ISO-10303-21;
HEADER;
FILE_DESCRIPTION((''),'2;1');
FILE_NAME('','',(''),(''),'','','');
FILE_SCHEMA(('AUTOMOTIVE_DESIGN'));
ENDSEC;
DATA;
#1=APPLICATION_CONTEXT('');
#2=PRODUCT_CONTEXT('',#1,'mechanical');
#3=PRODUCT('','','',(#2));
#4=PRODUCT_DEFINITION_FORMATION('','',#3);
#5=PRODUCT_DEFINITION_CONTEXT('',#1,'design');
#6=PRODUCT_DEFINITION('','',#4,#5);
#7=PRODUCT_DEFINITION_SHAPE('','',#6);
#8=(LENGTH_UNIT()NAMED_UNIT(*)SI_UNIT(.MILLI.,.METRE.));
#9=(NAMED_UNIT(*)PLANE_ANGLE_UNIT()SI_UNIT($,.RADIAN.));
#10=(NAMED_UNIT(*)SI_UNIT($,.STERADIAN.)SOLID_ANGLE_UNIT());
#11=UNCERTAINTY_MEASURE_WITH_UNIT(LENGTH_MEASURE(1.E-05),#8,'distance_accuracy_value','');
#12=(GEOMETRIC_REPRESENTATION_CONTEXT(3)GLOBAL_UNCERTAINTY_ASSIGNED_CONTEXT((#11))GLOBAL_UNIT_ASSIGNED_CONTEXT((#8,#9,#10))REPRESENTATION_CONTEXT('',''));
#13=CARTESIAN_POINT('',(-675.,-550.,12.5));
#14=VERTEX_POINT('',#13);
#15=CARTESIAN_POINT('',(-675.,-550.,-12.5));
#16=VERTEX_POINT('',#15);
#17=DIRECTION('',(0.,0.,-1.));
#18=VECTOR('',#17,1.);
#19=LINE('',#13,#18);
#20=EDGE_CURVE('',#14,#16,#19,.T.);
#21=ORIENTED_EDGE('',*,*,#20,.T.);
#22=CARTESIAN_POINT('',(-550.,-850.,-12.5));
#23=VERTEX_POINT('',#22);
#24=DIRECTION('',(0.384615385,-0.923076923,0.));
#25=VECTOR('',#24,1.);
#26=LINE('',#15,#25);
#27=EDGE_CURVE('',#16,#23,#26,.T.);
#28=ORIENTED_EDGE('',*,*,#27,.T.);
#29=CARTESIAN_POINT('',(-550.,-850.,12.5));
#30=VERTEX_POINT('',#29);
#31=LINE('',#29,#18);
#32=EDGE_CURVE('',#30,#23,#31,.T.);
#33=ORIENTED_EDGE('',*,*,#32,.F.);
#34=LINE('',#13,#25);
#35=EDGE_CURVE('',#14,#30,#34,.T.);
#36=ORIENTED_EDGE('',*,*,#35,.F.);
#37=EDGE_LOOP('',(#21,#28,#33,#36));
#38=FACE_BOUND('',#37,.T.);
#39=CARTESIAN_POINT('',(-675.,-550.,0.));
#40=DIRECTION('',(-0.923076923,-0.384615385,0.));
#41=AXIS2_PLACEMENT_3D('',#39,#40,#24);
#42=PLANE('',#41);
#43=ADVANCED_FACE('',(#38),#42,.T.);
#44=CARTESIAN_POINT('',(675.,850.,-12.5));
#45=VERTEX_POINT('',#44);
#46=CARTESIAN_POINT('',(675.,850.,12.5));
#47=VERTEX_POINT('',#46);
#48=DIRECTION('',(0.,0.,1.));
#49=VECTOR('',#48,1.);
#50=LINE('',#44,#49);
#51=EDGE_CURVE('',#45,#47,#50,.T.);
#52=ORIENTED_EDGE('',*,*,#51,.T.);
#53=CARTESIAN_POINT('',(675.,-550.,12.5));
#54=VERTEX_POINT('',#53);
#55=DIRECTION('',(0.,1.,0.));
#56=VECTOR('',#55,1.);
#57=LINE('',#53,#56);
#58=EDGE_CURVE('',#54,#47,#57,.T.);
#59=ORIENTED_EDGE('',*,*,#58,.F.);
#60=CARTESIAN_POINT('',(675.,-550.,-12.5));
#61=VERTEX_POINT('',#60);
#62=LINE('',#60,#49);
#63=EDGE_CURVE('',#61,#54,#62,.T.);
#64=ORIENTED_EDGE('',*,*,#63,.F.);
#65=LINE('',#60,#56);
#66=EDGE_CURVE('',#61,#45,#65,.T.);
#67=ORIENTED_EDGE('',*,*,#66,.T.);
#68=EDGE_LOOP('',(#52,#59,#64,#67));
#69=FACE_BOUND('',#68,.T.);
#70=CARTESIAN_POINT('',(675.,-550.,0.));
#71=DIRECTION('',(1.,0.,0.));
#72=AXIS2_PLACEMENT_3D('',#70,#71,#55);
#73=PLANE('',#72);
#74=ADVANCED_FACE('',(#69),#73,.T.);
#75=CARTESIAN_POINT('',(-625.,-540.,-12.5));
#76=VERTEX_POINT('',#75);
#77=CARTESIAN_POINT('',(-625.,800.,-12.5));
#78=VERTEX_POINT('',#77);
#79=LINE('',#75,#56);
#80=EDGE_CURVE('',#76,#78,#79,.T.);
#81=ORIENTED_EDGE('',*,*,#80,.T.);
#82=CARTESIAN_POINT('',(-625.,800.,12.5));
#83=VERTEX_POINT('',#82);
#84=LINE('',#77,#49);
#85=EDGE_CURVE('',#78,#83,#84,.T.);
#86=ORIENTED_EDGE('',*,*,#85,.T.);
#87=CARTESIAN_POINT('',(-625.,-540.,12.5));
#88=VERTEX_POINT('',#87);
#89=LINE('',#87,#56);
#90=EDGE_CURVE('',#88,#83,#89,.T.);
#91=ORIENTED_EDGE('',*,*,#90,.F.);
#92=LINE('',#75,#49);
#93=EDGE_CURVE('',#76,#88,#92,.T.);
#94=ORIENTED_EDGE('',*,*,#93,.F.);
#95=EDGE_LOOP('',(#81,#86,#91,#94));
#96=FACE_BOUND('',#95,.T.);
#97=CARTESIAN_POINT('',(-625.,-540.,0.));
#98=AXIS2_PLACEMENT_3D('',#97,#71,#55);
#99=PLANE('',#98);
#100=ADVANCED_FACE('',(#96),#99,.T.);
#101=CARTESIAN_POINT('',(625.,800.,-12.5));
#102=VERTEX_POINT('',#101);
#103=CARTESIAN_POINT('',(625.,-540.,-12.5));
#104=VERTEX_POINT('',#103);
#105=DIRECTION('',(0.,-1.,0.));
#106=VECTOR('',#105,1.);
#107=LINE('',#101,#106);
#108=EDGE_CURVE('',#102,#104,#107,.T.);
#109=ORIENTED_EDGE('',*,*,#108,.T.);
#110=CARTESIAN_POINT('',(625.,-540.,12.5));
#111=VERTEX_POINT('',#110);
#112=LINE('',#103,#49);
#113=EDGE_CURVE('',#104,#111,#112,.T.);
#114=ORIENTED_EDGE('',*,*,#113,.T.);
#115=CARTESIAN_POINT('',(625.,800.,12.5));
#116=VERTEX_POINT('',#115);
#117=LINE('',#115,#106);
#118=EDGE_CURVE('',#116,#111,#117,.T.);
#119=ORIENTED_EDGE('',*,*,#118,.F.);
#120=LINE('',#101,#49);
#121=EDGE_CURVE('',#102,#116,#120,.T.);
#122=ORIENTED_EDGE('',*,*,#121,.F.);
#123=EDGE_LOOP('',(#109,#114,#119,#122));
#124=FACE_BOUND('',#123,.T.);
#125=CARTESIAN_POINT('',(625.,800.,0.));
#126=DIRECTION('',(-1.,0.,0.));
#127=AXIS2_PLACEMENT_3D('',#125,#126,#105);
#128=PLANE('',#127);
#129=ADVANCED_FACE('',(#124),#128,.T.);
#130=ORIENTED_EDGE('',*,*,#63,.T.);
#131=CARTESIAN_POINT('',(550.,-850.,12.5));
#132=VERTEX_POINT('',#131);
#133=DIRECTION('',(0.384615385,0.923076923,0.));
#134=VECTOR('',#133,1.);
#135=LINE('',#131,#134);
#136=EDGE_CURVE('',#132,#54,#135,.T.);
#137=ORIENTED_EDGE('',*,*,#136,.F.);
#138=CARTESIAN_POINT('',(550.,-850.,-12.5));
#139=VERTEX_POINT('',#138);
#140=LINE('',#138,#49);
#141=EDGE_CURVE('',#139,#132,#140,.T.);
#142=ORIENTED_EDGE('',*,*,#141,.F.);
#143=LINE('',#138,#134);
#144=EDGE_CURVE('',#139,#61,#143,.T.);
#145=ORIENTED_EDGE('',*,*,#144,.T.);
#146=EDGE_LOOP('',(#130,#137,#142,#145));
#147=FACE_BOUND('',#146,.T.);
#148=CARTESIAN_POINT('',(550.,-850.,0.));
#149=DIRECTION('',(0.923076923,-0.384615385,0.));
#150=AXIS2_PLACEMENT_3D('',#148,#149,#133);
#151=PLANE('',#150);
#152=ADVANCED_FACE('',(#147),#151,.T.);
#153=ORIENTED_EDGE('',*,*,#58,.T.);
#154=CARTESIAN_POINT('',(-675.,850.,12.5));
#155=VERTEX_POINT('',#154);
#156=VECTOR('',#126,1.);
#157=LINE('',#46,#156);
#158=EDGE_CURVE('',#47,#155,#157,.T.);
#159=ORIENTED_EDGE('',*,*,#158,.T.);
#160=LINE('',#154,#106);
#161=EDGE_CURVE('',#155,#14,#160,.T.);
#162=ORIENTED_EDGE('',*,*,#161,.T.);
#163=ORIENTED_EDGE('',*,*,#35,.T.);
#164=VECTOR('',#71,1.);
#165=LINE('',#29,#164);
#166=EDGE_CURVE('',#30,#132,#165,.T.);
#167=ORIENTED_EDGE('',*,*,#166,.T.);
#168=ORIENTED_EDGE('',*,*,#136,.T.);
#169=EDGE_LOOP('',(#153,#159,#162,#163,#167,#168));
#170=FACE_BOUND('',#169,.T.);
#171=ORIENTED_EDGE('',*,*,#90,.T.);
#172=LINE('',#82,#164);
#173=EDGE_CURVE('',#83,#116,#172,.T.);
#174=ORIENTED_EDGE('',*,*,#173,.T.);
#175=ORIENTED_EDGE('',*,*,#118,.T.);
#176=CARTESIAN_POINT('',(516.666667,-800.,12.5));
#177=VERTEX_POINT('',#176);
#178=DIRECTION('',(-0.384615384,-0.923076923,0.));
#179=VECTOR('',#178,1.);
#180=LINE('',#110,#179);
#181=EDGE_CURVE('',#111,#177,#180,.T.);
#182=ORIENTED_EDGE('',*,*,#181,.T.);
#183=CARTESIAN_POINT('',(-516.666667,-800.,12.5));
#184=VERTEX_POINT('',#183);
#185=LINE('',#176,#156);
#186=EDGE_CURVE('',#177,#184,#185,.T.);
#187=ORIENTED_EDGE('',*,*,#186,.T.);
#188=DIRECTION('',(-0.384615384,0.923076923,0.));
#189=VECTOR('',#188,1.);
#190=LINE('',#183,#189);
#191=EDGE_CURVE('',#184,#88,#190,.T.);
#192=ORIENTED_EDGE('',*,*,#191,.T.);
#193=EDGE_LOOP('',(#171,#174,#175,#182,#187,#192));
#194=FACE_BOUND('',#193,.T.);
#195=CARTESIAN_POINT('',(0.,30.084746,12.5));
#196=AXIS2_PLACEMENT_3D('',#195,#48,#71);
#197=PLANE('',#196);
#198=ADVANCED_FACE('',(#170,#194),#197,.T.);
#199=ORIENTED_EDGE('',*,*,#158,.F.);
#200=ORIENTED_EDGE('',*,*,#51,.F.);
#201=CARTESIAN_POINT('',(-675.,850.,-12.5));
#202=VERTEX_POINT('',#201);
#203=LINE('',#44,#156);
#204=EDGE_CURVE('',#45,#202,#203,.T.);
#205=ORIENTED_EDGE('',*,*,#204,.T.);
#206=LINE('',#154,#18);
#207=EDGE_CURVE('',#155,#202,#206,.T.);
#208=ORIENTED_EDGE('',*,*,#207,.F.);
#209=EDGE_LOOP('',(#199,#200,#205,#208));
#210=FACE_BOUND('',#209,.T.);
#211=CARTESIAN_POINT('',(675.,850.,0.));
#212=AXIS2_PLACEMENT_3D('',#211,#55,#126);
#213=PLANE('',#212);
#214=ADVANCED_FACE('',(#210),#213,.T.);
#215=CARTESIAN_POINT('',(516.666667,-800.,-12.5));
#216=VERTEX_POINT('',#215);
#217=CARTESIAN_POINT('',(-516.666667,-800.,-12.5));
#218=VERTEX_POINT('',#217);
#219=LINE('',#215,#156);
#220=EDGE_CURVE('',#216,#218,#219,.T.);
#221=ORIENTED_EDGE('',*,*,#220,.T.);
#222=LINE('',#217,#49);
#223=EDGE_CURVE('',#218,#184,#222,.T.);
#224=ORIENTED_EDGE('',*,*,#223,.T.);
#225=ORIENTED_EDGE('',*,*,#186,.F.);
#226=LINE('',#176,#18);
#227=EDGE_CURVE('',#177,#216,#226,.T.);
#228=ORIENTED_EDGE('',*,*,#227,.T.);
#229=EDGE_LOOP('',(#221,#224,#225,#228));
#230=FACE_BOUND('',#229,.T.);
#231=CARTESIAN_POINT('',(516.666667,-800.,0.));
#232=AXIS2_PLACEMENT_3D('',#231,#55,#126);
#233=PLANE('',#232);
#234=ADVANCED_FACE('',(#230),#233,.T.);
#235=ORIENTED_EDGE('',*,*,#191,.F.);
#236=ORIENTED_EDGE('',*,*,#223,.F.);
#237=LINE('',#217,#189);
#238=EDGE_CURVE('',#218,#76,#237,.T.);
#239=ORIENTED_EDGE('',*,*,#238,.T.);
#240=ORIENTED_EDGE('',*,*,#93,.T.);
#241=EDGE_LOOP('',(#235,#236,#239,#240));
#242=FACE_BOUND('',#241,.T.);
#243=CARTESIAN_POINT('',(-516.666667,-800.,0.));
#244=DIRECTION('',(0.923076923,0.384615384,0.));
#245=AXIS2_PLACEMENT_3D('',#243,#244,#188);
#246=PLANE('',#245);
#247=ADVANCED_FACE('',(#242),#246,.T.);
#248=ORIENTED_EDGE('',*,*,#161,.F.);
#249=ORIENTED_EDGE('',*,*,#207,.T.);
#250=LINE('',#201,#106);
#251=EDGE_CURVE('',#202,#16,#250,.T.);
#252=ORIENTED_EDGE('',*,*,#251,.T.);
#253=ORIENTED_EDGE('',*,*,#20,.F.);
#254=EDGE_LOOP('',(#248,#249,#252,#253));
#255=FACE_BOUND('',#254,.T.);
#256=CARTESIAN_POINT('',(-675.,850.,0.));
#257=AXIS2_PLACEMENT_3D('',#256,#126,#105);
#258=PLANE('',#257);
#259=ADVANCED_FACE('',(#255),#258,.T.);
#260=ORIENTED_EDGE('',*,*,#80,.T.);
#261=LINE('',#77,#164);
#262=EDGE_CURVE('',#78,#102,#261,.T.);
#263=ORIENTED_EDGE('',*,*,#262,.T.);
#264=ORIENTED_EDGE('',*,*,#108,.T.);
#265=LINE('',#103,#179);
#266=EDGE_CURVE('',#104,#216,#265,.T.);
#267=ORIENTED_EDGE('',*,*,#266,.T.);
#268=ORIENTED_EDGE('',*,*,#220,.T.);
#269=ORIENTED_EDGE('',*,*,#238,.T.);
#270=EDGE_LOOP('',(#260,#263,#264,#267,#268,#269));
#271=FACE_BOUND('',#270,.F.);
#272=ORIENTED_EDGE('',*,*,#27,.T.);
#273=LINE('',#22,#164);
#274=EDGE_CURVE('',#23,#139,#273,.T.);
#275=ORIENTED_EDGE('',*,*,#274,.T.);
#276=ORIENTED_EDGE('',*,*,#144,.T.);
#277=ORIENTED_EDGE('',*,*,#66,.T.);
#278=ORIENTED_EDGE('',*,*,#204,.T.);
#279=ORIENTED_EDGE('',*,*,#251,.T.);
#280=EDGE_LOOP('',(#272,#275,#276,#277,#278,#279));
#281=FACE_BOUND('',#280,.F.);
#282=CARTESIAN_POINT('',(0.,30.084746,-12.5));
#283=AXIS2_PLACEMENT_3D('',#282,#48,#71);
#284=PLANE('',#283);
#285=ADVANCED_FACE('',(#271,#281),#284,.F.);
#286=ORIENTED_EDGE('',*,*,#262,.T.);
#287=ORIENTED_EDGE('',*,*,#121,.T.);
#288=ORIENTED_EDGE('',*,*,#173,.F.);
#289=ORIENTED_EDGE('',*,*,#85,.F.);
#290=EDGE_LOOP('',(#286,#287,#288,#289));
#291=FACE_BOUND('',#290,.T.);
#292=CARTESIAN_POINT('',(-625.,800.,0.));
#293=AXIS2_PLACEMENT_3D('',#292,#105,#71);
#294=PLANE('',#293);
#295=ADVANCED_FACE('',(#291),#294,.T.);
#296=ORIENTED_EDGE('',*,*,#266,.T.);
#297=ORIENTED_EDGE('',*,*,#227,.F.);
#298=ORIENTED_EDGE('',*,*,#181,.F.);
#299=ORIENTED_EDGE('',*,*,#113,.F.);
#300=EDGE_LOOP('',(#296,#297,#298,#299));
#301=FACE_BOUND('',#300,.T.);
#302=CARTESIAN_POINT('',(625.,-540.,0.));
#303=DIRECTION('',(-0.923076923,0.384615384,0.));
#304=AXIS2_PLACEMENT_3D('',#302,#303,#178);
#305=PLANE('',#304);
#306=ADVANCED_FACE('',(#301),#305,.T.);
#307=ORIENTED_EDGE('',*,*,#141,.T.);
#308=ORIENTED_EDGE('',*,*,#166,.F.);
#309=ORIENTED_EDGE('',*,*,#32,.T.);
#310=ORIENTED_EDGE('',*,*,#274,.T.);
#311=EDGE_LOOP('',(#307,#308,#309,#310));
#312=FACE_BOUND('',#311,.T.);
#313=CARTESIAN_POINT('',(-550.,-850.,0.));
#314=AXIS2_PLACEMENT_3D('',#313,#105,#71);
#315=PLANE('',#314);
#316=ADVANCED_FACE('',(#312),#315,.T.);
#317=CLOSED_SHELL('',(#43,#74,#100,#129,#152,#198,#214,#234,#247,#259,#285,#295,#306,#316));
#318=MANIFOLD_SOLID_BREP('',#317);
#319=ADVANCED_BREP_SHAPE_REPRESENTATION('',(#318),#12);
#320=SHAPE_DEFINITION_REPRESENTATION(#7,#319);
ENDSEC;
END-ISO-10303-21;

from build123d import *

# Parameters (mm, degrees)
F1_DEPTH = 12.5


with BuildPart() as f1:
    # F0 (on Top) → F1 (new body, symmetric)
    with BuildSketch(Plane.XY):
        Polygon((-550, -850), (0, -850), (550, -850), (675, -550), (675, 850), (0, 850), (-675, 850), (-675, -550), align=None)
        Polygon((0, -800), (-516.666667, -800), (-625, -540), (-625, 800), (0, 800), (625, 800), (625, -540), (516.666667, -800), align=None, mode=Mode.SUBTRACT)
    extrude(amount=F1_DEPTH, both=True)


solid = f1.part
